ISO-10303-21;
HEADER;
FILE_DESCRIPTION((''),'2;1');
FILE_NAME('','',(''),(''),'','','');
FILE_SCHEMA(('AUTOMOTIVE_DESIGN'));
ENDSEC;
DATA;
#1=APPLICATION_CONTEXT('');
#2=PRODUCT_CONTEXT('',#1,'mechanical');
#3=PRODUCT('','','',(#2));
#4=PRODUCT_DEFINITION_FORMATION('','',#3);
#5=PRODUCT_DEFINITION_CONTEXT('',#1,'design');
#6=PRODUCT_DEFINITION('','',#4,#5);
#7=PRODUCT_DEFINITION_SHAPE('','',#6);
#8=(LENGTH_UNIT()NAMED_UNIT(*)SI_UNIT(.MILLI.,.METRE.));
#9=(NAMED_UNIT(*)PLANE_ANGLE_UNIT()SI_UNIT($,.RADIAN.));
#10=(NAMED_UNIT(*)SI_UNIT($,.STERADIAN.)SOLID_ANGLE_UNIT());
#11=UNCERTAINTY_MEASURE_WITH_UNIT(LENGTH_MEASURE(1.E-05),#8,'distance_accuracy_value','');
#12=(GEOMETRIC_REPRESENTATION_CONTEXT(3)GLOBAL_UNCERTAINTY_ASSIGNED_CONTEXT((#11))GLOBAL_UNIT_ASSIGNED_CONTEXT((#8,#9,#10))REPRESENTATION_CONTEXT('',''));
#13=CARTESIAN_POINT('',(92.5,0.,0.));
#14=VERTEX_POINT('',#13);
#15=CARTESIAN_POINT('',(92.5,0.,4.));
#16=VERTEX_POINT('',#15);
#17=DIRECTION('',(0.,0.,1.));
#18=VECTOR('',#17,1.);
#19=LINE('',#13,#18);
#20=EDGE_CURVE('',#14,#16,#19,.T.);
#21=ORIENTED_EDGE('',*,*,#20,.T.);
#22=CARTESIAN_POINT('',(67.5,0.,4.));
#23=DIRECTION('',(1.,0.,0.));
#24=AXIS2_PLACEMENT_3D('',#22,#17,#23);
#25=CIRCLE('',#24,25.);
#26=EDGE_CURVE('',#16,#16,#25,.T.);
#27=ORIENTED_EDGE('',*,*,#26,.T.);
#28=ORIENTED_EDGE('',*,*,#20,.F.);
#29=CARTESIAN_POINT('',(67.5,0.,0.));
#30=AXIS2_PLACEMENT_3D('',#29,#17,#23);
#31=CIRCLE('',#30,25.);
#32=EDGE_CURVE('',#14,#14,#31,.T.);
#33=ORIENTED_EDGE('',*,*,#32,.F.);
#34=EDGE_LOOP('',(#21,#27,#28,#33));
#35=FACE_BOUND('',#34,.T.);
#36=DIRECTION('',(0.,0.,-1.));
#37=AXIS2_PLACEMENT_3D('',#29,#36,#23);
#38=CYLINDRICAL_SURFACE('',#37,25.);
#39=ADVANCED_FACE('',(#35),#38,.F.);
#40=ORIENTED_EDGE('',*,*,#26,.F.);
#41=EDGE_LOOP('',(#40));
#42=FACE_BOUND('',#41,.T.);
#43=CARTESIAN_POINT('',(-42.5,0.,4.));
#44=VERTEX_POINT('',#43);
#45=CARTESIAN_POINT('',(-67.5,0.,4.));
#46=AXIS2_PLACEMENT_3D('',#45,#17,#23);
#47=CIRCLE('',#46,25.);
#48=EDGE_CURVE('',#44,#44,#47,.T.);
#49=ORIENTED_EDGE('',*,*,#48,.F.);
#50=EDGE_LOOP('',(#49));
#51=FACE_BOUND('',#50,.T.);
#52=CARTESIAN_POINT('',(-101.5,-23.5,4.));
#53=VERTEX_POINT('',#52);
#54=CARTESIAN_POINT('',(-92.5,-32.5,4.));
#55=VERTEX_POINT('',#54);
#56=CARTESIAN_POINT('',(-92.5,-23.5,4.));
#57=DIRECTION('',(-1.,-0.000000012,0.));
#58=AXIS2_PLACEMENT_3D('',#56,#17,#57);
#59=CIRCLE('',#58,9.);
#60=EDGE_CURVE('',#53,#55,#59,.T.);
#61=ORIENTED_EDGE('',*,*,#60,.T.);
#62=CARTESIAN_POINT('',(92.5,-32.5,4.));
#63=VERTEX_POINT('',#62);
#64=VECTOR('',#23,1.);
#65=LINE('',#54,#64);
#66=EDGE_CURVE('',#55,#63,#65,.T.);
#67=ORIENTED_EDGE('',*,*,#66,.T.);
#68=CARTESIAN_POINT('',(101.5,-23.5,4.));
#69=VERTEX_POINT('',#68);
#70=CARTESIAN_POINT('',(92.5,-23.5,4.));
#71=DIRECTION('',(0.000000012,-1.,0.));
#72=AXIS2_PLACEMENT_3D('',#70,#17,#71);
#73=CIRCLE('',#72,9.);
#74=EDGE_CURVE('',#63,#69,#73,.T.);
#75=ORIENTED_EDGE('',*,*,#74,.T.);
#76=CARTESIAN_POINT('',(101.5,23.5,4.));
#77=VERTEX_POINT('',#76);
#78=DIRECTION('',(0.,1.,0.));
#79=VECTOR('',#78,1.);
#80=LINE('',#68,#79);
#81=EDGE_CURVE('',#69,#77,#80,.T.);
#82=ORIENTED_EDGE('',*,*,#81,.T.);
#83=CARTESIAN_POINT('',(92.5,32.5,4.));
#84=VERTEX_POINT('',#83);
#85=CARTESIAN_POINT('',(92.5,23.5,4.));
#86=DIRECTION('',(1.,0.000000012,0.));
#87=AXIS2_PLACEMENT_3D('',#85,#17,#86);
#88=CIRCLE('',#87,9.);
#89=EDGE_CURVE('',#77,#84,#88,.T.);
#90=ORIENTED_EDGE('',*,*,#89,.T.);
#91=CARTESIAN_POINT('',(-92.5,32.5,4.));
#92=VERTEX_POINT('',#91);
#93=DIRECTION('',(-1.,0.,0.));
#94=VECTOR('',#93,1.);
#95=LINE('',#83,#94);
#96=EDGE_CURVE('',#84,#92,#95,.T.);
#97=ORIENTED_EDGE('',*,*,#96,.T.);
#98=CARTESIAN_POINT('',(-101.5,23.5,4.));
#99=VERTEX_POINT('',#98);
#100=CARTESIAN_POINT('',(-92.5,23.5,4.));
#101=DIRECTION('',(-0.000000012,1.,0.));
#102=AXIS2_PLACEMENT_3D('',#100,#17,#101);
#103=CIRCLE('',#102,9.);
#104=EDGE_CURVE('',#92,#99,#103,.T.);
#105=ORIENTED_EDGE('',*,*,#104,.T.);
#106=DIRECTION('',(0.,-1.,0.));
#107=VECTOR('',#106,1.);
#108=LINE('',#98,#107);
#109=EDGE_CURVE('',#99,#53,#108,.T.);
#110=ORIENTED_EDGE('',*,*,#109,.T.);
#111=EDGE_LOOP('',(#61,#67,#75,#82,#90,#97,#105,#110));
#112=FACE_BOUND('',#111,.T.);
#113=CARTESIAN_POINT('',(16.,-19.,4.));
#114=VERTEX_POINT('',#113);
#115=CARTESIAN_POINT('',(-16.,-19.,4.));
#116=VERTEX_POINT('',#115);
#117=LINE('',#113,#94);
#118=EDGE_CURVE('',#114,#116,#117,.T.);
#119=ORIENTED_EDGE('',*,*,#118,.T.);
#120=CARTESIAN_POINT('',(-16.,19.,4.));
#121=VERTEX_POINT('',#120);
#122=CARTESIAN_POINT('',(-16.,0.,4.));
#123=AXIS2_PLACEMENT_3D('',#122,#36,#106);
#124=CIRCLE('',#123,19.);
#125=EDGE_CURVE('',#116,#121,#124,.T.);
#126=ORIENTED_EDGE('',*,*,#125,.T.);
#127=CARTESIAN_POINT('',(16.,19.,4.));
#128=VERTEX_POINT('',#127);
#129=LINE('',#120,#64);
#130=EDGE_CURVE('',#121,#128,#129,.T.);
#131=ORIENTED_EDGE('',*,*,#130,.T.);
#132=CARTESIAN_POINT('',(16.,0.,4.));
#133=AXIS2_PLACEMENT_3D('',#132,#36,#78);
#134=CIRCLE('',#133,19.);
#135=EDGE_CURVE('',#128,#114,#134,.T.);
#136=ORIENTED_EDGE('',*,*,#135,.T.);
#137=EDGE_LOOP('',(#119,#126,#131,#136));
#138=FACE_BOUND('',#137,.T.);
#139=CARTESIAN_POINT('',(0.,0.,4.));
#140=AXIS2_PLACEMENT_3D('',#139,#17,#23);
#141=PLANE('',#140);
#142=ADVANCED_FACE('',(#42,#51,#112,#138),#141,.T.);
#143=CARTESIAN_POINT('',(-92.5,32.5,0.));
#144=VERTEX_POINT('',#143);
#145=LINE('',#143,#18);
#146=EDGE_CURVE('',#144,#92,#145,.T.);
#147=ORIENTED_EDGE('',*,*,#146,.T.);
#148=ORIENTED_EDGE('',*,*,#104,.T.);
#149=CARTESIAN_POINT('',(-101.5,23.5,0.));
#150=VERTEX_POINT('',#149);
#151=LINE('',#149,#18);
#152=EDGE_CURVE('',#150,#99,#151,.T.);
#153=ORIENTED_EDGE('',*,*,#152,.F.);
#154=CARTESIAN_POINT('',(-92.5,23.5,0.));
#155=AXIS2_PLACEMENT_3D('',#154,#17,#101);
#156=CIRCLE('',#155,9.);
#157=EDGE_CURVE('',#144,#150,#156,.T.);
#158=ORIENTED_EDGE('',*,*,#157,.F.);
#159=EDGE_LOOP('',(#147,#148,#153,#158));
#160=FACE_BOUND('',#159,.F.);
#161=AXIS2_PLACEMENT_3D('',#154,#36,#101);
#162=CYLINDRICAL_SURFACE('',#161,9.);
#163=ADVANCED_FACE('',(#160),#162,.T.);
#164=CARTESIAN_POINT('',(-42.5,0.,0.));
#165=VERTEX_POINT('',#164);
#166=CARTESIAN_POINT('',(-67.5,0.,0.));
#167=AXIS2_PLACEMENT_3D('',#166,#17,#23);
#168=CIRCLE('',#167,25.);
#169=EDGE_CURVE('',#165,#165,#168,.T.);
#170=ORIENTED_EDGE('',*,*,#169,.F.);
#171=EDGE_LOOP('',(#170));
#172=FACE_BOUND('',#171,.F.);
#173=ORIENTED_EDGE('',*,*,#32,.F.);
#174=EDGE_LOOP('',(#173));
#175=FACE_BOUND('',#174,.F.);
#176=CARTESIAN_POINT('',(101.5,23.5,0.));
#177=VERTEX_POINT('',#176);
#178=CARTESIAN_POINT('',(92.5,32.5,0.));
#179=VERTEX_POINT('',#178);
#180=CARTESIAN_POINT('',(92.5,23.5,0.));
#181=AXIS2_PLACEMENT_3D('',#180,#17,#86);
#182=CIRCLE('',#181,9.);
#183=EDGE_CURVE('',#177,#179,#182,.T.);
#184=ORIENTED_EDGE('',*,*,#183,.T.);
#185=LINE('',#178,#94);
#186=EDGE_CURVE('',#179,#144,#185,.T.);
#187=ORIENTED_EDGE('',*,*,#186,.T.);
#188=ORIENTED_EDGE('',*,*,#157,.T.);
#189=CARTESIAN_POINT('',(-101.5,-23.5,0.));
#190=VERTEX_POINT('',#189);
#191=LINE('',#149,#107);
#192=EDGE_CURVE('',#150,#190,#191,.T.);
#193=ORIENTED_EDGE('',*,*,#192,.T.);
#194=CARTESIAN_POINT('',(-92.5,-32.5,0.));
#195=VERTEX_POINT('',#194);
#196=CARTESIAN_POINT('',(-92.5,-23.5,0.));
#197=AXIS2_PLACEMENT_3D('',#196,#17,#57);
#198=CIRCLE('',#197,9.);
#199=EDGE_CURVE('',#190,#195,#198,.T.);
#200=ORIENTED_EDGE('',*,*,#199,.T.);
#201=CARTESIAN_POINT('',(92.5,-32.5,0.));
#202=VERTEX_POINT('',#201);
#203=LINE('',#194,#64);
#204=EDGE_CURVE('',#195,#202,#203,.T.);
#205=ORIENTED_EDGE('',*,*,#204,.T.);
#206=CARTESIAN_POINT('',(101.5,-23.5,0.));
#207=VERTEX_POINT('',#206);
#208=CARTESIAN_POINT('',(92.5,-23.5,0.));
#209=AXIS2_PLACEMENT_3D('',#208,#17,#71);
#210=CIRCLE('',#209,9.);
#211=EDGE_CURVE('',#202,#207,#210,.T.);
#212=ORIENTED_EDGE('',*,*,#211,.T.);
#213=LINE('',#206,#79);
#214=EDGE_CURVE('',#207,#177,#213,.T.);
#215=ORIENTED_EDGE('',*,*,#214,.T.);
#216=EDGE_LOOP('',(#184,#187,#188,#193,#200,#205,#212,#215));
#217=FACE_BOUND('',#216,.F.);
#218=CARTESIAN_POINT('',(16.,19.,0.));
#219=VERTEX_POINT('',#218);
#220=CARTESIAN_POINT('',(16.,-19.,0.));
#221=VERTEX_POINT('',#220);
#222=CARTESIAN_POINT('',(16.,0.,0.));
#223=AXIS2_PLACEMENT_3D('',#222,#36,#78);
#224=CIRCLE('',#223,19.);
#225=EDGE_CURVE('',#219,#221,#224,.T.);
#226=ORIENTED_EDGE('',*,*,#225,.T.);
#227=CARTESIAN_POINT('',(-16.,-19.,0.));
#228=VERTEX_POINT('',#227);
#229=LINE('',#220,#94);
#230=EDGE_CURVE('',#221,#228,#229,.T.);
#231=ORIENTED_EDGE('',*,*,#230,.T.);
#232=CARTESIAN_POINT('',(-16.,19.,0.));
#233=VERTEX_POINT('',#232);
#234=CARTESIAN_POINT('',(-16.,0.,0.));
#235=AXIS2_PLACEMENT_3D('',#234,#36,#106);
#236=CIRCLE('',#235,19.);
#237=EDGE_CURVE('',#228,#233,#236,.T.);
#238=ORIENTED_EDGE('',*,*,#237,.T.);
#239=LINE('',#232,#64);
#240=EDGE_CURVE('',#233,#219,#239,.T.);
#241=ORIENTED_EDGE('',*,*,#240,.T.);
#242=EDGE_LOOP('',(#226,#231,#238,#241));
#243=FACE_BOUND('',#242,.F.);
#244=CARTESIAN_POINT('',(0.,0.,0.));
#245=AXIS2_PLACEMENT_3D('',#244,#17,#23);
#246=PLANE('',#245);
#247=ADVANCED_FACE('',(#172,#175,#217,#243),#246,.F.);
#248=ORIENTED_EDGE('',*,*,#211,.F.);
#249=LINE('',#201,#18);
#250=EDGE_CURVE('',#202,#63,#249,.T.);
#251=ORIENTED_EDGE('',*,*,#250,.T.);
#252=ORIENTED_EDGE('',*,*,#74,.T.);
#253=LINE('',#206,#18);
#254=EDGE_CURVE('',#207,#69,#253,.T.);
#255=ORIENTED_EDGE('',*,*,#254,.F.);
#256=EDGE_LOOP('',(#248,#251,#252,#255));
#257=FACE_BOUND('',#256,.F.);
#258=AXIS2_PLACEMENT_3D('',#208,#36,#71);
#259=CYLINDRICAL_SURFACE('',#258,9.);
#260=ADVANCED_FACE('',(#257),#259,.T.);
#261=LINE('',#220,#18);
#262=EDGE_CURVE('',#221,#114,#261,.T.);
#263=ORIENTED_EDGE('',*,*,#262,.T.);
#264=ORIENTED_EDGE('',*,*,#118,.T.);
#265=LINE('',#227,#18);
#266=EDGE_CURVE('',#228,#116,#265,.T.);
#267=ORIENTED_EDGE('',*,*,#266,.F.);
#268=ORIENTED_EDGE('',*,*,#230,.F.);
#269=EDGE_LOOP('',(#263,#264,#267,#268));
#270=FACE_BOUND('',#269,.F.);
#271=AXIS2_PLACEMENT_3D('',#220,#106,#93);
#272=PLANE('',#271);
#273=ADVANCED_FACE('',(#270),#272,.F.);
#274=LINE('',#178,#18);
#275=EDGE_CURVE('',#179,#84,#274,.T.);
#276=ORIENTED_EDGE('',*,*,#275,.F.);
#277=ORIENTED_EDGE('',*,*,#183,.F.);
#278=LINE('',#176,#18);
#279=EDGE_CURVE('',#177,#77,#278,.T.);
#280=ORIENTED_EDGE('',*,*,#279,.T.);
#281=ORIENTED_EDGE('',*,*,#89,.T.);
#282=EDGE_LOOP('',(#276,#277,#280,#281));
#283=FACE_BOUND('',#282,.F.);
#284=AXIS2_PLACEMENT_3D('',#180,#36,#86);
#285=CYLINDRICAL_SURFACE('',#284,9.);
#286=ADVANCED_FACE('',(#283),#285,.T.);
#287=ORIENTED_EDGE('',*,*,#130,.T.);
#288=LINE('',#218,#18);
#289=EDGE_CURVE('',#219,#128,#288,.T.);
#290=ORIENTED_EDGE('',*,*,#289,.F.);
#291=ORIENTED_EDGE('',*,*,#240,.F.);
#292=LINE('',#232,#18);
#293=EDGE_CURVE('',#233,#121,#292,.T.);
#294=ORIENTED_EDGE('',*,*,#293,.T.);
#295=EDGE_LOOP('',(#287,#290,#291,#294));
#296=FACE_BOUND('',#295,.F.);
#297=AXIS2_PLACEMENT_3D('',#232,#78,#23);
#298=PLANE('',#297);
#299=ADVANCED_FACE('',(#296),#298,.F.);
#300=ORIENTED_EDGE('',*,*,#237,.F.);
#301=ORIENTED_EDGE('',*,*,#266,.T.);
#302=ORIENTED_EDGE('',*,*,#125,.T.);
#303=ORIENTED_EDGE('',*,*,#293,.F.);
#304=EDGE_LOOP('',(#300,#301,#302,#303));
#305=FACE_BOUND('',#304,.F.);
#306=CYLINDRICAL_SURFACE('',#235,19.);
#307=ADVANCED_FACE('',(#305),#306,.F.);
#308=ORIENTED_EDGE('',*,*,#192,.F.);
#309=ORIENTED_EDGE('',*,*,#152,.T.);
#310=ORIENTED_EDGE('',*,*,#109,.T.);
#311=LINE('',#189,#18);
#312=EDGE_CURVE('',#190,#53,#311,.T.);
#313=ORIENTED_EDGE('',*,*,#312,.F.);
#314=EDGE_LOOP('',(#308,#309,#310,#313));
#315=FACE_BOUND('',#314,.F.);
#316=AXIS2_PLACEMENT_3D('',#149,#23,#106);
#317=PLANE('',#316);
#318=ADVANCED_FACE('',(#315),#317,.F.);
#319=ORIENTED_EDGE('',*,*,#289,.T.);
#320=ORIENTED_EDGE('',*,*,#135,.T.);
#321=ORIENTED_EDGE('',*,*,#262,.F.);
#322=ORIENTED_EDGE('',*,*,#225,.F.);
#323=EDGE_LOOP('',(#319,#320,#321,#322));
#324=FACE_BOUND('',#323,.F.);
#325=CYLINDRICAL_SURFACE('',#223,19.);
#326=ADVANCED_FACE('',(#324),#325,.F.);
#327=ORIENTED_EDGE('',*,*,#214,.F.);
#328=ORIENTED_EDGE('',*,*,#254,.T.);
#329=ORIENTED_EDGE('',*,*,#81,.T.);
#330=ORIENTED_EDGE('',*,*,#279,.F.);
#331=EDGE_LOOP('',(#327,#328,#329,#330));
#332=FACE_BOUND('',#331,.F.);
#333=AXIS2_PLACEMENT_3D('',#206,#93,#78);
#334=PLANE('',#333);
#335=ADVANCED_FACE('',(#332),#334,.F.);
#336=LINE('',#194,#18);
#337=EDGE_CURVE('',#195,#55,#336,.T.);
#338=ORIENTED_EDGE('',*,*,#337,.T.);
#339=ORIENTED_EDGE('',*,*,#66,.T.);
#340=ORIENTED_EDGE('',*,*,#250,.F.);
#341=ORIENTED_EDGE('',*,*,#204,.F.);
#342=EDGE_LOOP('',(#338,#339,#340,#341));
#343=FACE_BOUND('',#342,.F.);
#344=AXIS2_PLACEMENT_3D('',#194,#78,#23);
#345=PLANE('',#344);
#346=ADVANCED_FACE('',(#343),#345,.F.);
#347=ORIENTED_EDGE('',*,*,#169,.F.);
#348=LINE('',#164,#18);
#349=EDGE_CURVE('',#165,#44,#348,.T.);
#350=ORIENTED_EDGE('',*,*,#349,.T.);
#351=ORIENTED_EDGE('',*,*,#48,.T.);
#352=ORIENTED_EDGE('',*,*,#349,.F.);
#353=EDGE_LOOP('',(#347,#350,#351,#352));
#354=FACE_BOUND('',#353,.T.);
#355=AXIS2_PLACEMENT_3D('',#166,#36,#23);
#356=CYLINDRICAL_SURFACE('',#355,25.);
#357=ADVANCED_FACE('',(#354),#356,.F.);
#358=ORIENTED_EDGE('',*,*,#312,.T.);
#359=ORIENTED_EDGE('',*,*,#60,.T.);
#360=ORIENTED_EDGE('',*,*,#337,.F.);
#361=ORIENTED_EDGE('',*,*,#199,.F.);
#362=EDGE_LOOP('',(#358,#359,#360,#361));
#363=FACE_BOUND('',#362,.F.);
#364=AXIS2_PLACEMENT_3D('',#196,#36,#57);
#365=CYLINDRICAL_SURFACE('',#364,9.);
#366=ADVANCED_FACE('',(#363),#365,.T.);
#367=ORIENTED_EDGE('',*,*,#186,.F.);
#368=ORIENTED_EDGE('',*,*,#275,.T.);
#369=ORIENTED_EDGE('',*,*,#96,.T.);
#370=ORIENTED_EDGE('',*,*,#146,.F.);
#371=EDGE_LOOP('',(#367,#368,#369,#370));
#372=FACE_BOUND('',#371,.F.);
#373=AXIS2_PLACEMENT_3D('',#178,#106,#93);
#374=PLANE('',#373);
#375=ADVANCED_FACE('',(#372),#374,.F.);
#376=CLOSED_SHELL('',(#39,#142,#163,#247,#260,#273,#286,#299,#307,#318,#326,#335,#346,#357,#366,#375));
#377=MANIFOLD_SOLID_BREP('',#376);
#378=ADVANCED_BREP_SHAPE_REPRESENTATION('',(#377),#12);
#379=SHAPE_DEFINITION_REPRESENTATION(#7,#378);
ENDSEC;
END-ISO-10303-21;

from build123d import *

# Parameters (mm, degrees)
F0_R     = 25
F1_DEPTH = 4


with BuildPart() as f1:
    # F0 (on Top) → F1 (new body)
    with BuildSketch(Plane.XY):
        with BuildLine():
            Line((-92.5, -32.5), (92.5, -32.5))
            ThreePointArc((92.5, -32.5), (98.863961, -29.863961), (101.5, -23.5))
            Line((101.5, -23.5), (101.5, 23.5))
            ThreePointArc((101.5, 23.5), (98.863961, 29.863961), (92.5, 32.5))
            Line((92.5, 32.5), (-92.5, 32.5))
            ThreePointArc((-92.5, 32.5), (-98.863961, 29.863961), (-101.5, 23.5))
            Line((-101.5, 23.5), (-101.5, -23.5))
            ThreePointArc((-101.5, -23.5), (-98.863961, -29.863961), (-92.5, -32.5))
        make_face()
        with Locations((-67.5, 0)):
            Circle(F0_R, mode=Mode.SUBTRACT)
        with BuildLine():
            Line((16, -19), (-16, -19))
            ThreePointArc((-16, -19), (-35, 0), (-16, 19))
            Line((-16, 19), (16, 19))
            ThreePointArc((16, 19), (35, 0), (16, -19))
        make_face(mode=Mode.SUBTRACT)
        with Locations((67.5, 0)):
            Circle(F0_R, mode=Mode.SUBTRACT)
    extrude(amount=F1_DEPTH)


solid = f1.part
